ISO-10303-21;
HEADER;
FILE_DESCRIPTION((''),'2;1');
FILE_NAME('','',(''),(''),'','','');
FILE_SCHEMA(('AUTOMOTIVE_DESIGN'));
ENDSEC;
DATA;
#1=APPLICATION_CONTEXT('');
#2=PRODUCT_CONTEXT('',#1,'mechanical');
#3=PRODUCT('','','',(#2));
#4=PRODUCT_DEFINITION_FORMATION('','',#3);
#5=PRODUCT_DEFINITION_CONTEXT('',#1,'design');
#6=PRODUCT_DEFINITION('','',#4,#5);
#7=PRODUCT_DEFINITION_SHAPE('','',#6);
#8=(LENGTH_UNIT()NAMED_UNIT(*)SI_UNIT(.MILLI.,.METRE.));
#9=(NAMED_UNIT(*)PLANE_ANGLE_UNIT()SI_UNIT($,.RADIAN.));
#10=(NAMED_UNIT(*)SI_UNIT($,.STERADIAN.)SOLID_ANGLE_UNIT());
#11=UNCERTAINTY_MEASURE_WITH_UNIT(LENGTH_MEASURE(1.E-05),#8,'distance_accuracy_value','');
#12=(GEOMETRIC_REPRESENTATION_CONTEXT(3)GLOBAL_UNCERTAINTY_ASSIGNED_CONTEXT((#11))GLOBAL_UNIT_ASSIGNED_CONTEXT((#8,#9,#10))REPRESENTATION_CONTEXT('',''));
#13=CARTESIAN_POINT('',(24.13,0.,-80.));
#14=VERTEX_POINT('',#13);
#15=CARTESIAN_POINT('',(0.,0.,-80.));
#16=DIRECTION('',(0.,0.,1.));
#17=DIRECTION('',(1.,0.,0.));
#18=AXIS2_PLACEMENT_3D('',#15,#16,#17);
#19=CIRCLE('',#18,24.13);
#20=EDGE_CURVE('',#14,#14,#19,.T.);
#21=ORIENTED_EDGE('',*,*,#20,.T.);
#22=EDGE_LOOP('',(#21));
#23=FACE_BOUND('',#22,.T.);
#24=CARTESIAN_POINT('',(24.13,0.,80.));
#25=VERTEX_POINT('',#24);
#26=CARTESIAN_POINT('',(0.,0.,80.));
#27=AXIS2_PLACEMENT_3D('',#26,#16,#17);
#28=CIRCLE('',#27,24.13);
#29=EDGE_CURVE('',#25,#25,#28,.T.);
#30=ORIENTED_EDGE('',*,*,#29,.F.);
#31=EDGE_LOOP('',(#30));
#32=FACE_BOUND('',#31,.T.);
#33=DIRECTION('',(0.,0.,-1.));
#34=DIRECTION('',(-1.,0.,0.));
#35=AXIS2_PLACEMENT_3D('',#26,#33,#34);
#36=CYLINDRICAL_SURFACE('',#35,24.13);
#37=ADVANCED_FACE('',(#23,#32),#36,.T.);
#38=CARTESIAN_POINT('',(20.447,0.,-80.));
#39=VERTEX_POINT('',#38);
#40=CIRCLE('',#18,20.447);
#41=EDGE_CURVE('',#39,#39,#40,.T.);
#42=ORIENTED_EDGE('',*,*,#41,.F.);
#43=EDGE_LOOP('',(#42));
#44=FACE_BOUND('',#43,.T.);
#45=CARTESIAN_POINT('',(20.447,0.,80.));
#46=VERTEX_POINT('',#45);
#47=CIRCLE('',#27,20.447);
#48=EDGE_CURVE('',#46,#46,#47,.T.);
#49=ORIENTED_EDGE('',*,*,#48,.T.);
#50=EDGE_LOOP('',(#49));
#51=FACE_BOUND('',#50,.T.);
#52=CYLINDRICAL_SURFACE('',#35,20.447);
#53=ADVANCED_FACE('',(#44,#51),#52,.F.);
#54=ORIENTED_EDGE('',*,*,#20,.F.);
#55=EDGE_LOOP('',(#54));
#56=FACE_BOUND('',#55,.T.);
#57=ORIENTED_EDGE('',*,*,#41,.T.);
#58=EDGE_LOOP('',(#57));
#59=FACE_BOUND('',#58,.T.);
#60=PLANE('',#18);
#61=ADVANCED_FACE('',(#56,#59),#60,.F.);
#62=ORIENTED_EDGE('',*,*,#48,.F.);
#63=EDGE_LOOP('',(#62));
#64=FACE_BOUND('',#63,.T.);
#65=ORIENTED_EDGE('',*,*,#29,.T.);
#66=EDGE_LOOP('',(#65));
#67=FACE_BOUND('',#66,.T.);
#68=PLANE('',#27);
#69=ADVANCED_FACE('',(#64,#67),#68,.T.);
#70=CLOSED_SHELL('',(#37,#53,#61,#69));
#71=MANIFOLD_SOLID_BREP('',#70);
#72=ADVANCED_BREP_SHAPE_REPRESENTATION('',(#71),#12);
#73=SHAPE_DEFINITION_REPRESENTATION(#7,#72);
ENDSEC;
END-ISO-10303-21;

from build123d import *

# Parameters (mm, degrees)
SKETCH1_R           = 24.13
SKETCH1_R_2         = 20.447
EXTRUDE_THIN1_DEPTH = 80


with BuildPart() as part:
    # Sketch1 → Extrude-Thin1 (new body, symmetric)
    with BuildSketch(Plane.XY):
        Circle(SKETCH1_R)
        Circle(SKETCH1_R_2, mode=Mode.SUBTRACT)
    extrude(amount=EXTRUDE_THIN1_DEPTH, both=True)


solid = part.part
